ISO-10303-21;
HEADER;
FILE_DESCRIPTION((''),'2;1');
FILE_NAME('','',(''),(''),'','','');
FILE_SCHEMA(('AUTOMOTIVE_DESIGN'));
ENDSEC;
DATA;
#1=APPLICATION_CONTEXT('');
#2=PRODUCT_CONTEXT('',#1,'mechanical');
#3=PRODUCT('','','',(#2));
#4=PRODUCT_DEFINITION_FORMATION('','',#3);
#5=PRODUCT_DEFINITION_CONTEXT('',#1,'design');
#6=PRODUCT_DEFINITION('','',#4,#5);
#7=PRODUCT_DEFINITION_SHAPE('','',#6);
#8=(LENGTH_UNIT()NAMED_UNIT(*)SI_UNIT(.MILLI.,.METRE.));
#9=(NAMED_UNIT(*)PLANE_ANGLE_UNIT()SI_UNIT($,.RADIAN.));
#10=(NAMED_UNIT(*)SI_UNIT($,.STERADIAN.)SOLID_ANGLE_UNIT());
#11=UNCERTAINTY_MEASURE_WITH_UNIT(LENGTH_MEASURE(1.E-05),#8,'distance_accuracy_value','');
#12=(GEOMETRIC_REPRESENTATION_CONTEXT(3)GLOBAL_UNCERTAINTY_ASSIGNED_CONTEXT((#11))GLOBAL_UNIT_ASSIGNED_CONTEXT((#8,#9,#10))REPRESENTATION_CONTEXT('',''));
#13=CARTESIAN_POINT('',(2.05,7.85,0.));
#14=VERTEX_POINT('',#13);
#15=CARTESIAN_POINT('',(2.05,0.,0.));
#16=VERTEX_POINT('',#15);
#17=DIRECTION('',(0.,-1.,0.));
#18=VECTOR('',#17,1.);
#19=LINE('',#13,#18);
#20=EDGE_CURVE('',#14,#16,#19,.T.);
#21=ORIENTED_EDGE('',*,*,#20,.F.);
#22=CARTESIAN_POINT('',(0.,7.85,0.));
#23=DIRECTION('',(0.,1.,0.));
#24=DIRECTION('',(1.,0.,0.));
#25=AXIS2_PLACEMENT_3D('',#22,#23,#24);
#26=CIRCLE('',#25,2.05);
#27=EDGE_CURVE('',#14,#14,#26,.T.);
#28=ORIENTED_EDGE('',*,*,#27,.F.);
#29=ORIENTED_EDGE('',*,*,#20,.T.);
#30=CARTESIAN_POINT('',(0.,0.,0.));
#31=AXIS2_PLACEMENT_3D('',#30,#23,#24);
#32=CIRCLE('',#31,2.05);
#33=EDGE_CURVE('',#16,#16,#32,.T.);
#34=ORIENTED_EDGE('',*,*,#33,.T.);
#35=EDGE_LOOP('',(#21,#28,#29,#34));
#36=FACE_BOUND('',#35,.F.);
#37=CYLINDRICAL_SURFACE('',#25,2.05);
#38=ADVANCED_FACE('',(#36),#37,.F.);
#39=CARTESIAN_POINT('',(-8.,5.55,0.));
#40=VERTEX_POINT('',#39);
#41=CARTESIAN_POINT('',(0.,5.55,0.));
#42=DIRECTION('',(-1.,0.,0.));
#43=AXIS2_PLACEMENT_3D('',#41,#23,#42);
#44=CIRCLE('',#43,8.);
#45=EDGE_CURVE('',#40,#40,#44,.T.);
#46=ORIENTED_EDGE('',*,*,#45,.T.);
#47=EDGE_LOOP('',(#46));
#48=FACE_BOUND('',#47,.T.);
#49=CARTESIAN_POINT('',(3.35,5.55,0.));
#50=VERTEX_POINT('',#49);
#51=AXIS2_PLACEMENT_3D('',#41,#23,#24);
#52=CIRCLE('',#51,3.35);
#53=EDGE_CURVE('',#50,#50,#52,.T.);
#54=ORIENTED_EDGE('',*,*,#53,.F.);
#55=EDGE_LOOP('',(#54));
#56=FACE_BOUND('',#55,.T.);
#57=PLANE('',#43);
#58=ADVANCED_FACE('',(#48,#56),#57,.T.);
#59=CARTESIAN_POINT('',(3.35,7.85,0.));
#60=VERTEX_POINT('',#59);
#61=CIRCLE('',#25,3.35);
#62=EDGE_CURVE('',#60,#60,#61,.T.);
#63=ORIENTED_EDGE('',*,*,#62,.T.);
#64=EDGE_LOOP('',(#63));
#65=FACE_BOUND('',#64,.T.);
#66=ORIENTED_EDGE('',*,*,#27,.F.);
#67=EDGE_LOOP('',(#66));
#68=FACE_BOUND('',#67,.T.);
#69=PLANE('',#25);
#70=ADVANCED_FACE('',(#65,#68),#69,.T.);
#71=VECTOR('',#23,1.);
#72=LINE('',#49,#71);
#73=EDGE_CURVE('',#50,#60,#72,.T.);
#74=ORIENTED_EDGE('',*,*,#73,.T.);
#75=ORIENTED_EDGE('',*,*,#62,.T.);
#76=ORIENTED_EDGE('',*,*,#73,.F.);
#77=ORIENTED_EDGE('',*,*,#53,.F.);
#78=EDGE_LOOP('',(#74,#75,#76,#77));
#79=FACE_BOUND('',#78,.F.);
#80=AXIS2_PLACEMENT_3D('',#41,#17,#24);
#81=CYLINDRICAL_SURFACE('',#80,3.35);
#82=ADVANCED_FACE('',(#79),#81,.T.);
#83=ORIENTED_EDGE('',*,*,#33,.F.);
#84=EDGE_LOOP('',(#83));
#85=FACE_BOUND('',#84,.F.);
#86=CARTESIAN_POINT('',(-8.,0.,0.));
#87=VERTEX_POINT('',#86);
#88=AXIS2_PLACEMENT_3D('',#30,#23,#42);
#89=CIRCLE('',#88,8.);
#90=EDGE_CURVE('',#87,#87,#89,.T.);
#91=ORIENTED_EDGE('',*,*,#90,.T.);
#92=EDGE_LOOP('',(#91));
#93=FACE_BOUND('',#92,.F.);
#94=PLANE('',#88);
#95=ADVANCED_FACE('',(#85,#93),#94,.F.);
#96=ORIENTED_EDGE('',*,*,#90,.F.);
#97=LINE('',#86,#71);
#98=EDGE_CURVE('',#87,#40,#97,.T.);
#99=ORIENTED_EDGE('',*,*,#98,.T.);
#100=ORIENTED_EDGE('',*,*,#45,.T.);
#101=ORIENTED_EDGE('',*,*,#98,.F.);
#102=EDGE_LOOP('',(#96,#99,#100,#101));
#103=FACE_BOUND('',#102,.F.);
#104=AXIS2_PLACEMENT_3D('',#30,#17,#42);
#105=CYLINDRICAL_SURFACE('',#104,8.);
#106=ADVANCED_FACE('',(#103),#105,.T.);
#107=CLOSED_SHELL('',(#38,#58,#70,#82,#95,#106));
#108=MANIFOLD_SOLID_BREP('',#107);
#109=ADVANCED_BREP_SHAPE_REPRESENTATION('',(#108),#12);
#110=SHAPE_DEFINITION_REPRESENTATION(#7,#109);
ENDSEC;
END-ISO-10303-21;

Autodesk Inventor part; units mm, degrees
ref_plane "YZ Plane" through (0, 0, 0) normal (1, 0, 0) x (0, 1, 0)
ref_plane "XZ Plane" through (0, 0, 0) normal (0, 1, 0) x (-1, 0, 0)
ref_plane "XY Plane" through (0, 0, 0) normal (0, 0, 1) x (1, 0, 0)
sketch "Sketch1" plane through (0, 0, 0) normal (0, 1, 0) x (-1, 0, 0)
  circle A0 centre (0, 0) radius 8
  dimension "d0" = 16
extrude "Extrusion1" add sketch "Sketch1" along normal blind 5.55
sketch "Sketch2" plane through (0, 5.55, 0) normal (0, 1, 0) x (1, 0, 0)
  circle A0 centre (0, 0) radius 3.35
  dimension "d3" = 6.7
extrude "Extrusion2" add sketch "Sketch2" along normal blind 2.3
sketch "Sketch3" plane through (0, 7.85, 0) normal (0, 1, 0) x (1, 0, 0)
  circle A0 centre (0, 0) radius 2.05
  dimension "d6" = 4.1
extrude "Extrusion3" cut sketch "Sketch3" against normal blind 7.85
properties part number "5.5mm"
